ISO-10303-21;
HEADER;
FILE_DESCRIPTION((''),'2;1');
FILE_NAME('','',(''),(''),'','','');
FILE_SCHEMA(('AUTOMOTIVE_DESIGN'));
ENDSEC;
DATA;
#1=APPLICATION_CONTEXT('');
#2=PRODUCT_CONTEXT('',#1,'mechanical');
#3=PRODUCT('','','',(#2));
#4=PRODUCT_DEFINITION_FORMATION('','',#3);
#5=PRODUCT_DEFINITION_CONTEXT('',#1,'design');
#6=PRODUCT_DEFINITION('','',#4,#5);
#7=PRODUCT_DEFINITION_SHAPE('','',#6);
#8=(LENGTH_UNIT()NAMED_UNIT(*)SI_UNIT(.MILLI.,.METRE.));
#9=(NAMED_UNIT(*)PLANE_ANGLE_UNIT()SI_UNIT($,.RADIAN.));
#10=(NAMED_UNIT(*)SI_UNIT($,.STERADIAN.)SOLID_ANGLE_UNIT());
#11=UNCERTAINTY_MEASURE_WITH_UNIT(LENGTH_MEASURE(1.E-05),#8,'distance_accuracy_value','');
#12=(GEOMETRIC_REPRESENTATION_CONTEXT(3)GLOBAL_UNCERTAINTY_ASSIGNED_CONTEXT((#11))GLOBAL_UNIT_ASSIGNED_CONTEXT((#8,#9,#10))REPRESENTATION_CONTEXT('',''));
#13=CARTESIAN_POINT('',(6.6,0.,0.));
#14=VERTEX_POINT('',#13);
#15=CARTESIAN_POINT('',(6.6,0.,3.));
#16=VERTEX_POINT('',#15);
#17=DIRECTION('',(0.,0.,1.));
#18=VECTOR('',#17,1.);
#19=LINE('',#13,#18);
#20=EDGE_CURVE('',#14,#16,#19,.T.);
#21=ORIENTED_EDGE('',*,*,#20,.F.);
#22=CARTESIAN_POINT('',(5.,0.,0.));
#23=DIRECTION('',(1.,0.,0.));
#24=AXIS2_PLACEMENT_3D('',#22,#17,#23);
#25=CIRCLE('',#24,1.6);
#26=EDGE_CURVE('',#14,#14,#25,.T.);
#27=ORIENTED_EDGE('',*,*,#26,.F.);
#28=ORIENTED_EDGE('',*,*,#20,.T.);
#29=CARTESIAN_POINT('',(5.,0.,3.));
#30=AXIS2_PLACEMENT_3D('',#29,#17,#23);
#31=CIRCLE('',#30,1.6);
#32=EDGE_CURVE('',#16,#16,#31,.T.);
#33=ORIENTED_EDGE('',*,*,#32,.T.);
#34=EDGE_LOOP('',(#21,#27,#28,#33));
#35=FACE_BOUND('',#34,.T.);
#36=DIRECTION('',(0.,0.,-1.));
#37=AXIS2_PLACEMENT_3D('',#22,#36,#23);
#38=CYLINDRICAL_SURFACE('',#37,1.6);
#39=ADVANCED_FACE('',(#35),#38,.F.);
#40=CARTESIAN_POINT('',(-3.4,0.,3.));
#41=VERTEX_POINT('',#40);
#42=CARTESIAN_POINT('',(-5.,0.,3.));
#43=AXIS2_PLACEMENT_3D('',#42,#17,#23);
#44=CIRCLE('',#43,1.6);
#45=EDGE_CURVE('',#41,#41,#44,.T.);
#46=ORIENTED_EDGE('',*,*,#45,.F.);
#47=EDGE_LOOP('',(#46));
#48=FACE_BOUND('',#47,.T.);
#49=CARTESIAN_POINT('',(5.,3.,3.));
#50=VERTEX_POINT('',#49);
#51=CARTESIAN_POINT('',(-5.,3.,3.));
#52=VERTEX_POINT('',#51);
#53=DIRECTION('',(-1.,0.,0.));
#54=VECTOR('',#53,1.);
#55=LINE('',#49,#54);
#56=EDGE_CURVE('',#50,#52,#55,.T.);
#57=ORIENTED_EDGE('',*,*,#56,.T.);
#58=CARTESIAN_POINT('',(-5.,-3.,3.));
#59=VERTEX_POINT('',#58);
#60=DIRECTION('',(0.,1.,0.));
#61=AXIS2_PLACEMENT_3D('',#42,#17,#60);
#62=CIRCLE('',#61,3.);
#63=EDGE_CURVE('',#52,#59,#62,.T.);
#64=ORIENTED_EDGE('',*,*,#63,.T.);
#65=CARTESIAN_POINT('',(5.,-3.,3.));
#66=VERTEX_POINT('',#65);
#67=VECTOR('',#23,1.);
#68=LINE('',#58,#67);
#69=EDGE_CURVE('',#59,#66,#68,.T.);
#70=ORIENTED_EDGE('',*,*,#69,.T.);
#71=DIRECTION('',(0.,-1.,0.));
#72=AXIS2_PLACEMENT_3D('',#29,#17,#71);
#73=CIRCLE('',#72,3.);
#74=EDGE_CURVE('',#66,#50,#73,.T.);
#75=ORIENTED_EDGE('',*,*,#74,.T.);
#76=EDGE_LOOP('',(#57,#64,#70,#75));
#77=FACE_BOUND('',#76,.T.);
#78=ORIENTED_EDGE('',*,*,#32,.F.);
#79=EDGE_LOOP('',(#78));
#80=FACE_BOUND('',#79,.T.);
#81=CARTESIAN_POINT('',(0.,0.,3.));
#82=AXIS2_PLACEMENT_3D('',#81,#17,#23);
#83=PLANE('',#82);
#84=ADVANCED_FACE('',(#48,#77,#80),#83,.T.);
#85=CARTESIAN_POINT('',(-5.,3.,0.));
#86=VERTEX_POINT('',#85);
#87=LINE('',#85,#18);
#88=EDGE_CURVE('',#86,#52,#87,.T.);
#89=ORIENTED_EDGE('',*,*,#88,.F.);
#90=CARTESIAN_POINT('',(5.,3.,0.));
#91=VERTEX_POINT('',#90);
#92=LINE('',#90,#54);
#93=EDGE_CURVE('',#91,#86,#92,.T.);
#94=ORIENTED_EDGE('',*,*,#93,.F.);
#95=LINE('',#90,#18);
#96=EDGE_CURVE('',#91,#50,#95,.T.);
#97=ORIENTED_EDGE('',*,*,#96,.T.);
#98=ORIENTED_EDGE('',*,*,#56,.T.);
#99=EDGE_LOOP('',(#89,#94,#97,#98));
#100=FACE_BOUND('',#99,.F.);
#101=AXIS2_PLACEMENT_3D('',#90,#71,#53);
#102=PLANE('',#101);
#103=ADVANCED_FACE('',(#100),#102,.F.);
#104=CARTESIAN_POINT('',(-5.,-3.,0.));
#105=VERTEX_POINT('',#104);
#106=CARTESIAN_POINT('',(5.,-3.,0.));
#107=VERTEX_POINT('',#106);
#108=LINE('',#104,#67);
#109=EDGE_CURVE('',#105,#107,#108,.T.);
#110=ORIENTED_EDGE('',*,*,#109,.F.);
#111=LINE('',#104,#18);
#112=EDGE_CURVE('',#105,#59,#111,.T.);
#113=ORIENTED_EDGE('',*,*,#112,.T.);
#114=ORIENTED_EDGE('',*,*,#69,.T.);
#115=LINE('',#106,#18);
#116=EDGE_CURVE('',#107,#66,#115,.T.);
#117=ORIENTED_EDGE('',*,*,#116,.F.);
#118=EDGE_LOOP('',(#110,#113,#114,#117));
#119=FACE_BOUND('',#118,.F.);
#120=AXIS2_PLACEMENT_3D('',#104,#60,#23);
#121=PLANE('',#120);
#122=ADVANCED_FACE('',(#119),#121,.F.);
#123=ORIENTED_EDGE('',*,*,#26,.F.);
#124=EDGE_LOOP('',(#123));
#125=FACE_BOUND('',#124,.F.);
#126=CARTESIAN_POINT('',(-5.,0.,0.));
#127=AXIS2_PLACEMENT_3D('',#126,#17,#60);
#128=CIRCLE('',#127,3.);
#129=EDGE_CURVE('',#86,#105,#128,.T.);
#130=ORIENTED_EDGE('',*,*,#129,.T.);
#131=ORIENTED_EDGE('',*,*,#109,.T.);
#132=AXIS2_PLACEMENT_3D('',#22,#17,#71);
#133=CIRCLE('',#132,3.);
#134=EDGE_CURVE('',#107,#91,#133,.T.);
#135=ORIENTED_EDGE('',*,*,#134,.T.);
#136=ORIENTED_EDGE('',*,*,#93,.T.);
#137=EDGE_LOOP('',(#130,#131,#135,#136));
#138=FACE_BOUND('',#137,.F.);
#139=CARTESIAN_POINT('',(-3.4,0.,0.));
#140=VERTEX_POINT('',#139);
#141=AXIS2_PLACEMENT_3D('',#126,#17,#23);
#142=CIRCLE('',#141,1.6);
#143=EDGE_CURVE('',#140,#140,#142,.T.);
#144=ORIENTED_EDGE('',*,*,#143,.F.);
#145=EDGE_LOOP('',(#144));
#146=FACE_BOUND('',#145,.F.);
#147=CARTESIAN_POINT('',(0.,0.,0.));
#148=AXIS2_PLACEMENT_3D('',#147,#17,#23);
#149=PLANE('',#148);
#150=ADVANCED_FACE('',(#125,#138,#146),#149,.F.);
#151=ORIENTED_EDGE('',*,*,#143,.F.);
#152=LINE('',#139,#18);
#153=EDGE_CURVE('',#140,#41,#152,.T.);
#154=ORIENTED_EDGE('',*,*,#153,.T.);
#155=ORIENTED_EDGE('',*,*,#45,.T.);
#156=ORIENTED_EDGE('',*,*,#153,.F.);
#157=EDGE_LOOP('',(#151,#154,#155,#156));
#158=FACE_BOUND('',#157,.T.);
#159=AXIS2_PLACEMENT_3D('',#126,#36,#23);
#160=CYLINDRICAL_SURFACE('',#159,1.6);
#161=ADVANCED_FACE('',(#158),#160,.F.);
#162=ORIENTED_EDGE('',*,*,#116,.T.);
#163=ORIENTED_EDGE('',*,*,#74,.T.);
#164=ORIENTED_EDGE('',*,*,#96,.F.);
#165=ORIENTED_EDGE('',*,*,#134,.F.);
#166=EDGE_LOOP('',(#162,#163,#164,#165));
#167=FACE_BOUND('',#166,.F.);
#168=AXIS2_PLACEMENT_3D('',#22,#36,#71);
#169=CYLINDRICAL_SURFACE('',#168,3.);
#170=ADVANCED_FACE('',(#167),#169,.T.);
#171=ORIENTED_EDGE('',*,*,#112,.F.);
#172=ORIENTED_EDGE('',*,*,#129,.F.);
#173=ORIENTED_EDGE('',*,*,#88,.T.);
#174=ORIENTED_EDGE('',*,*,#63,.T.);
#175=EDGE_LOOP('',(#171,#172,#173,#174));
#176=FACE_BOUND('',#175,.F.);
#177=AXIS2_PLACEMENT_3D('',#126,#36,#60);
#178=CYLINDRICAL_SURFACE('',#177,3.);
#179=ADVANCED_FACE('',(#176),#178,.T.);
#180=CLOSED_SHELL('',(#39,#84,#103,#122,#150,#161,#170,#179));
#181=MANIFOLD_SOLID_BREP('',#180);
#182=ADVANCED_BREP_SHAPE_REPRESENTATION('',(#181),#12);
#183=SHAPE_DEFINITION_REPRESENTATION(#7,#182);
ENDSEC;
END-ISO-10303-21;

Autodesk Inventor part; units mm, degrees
ref_plane "YZ Plane" through (0, 0, 0) normal (1, 0, 0) x (0, 1, 0)
ref_plane "XZ Plane" through (0, 0, 0) normal (0, 1, 0) x (-1, 0, 0)
ref_plane "XY Plane" through (0, 0, 0) normal (0, 0, 1) x (1, 0, 0)
sketch "Sketch1" plane through (0, 0, 0) normal (0, 0, 1) x (1, 0, 0)
  line L0 (-5, 0) -> (5, 0) construction
  line L1 (-5, -3) -> (5, -3)
  line L2 (5, 3) -> (-5, 3)
  arc A0 (-5, 3) -> (-5, -3) centre (-5, 0) ccw
  arc A1 (5, -3) -> (5, 3) centre (5, 0) ccw
  circle A2 centre (5, 0) radius 1.6
  circle A3 centre (-5, 0) radius 1.6
  point P0 (0, 0)
  dimension "d0" = 3
  dimension "d1" = 10
  dimension "d2" = 3.2
  dimension "d3" = 3.2
extrude "Plate1" add sketch "Sketch1" along normal blind 3
equation "\"d4\" = Thickness"
equation "\"BendRadius\" = Thickness"
equation "\"BendReliefWidth\" = Thickness"
equation "\"BendReliefDepth\" = 0.5 * Thickness"
equation "\"CornerReliefSize\" = 4 * Thickness"
equation "\"MinimumRemnant\" = 2 * Thickness"
equation "\"TransitionRadius\" = BendRadius"
equation "\"JacobiRadiusSize\" = BendRadius"
equation "\"GapSize\" = Thickness"
equation "\"Thickness\" = 3"
properties part number "Wires Input Orientation"
